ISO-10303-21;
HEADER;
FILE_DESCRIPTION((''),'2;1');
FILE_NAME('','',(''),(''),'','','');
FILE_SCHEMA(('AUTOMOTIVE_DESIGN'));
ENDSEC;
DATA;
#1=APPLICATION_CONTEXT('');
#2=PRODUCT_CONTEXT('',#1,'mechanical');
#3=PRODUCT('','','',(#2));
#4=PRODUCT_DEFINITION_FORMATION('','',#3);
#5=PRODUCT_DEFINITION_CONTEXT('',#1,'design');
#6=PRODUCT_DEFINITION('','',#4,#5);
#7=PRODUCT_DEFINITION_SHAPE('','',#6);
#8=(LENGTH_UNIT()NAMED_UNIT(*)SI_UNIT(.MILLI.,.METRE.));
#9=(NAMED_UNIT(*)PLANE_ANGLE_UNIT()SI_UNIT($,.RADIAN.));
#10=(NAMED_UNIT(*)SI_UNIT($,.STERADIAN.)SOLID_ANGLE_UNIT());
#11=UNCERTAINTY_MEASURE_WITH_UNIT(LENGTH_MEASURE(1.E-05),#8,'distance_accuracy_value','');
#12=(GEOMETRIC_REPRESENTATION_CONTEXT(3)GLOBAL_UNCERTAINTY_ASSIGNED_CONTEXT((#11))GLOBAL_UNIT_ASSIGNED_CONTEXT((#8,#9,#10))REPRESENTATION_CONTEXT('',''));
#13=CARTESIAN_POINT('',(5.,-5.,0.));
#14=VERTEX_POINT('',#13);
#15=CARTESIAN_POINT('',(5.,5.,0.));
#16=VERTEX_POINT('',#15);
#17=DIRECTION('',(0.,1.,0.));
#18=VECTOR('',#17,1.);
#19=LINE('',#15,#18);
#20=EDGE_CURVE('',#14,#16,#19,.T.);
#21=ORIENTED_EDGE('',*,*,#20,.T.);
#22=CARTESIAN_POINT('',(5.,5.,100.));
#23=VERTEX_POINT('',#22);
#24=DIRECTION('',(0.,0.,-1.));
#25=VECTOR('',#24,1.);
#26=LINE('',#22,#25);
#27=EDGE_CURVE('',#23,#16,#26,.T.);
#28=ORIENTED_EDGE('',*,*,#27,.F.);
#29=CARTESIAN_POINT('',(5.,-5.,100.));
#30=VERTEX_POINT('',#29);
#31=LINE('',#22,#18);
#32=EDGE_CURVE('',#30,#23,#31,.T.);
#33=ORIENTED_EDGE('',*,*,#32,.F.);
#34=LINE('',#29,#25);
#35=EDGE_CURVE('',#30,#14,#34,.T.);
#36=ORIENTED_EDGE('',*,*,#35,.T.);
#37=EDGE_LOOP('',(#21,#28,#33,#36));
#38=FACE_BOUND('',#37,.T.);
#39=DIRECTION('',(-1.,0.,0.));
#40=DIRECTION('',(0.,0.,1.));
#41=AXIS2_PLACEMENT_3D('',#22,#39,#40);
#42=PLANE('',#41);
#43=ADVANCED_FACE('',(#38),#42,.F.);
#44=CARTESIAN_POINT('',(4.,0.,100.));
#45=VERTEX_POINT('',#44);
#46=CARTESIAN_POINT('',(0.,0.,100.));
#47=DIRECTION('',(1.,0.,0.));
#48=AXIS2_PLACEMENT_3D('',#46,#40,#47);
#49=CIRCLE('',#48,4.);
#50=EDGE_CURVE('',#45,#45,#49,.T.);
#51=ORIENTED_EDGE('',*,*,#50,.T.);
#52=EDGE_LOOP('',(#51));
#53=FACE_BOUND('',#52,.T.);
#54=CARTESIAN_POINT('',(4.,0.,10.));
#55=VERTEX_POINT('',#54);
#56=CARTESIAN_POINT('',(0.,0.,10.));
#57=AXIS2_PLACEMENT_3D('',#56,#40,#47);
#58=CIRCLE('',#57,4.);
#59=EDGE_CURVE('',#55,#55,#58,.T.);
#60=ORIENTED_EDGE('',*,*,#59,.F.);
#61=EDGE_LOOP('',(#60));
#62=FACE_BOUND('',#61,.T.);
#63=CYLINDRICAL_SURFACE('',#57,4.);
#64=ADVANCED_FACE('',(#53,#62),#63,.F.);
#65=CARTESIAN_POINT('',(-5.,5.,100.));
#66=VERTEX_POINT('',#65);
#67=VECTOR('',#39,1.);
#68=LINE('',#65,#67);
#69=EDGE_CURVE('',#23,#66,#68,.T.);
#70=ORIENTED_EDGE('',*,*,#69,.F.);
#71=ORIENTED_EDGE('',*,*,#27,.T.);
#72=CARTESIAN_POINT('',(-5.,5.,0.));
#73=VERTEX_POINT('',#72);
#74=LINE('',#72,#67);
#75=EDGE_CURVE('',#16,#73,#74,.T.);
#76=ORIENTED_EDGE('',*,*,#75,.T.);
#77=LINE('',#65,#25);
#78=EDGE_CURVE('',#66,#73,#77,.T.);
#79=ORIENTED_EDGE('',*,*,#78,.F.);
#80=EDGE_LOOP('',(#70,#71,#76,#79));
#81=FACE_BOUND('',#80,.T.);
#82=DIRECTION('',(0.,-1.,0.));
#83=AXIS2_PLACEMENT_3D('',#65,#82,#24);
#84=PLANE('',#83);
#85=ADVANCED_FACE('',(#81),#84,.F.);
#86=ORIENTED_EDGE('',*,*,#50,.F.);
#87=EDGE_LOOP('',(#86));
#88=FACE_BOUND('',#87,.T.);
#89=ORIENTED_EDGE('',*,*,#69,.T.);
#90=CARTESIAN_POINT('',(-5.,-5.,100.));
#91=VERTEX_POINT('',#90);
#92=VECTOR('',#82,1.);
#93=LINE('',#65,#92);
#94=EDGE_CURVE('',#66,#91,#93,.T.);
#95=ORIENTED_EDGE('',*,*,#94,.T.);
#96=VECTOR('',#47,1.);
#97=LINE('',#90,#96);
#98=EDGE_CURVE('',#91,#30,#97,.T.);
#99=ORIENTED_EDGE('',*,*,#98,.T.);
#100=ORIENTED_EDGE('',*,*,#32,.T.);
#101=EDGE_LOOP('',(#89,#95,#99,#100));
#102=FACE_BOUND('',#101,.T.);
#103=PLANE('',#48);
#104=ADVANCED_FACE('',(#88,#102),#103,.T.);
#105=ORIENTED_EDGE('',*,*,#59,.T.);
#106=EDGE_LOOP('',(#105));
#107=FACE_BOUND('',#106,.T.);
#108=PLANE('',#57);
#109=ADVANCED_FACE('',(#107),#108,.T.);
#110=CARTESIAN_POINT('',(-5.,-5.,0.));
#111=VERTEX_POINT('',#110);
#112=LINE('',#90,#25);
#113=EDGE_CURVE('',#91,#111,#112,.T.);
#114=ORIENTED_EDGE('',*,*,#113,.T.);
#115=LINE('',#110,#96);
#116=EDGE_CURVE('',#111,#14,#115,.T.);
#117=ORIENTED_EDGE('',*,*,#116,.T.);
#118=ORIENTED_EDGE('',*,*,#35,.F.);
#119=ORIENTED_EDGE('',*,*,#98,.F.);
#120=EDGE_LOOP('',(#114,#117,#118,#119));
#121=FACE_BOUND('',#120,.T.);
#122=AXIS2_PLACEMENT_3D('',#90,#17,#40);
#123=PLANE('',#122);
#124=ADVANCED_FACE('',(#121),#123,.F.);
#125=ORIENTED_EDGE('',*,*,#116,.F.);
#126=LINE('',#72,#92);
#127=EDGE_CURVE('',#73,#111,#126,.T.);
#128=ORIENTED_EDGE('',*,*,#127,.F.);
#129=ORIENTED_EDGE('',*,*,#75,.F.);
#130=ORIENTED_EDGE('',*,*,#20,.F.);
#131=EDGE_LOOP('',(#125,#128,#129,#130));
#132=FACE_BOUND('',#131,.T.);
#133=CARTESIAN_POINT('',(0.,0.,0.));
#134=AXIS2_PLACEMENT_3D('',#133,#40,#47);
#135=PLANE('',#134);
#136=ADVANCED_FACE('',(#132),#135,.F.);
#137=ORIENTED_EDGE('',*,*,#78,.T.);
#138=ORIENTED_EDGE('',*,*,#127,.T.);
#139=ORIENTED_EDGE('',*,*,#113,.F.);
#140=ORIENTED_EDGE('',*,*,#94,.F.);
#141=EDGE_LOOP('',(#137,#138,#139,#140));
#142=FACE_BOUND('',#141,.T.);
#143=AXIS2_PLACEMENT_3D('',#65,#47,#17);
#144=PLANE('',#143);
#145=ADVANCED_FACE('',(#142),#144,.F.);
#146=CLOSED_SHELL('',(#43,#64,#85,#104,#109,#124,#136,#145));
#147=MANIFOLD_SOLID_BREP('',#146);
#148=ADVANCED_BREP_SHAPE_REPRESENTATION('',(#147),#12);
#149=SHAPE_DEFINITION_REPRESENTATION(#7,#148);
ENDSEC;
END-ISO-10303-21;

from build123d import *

# Parameters (mm, degrees)
SKETCH_1_W          = 10
SKETCH_1_H          = 10
EXTRUDE_1_DEPTH     = 100
SKETCH_2_R          = 4
CUT_EXTRUDE_1_DEPTH = 90


with BuildPart() as part:
    # 草图1 → 凸台-拉伸1 (new body)
    with BuildSketch(Plane.XY):
        Rectangle(SKETCH_1_W, SKETCH_1_H)
    extrude(amount=EXTRUDE_1_DEPTH)

    # 草图2 → 切除-拉伸1 (cut)
    with BuildSketch(Plane.XY.offset(100)):
        Circle(SKETCH_2_R)
    extrude(amount=-CUT_EXTRUDE_1_DEPTH, mode=Mode.SUBTRACT)


solid = part.part
